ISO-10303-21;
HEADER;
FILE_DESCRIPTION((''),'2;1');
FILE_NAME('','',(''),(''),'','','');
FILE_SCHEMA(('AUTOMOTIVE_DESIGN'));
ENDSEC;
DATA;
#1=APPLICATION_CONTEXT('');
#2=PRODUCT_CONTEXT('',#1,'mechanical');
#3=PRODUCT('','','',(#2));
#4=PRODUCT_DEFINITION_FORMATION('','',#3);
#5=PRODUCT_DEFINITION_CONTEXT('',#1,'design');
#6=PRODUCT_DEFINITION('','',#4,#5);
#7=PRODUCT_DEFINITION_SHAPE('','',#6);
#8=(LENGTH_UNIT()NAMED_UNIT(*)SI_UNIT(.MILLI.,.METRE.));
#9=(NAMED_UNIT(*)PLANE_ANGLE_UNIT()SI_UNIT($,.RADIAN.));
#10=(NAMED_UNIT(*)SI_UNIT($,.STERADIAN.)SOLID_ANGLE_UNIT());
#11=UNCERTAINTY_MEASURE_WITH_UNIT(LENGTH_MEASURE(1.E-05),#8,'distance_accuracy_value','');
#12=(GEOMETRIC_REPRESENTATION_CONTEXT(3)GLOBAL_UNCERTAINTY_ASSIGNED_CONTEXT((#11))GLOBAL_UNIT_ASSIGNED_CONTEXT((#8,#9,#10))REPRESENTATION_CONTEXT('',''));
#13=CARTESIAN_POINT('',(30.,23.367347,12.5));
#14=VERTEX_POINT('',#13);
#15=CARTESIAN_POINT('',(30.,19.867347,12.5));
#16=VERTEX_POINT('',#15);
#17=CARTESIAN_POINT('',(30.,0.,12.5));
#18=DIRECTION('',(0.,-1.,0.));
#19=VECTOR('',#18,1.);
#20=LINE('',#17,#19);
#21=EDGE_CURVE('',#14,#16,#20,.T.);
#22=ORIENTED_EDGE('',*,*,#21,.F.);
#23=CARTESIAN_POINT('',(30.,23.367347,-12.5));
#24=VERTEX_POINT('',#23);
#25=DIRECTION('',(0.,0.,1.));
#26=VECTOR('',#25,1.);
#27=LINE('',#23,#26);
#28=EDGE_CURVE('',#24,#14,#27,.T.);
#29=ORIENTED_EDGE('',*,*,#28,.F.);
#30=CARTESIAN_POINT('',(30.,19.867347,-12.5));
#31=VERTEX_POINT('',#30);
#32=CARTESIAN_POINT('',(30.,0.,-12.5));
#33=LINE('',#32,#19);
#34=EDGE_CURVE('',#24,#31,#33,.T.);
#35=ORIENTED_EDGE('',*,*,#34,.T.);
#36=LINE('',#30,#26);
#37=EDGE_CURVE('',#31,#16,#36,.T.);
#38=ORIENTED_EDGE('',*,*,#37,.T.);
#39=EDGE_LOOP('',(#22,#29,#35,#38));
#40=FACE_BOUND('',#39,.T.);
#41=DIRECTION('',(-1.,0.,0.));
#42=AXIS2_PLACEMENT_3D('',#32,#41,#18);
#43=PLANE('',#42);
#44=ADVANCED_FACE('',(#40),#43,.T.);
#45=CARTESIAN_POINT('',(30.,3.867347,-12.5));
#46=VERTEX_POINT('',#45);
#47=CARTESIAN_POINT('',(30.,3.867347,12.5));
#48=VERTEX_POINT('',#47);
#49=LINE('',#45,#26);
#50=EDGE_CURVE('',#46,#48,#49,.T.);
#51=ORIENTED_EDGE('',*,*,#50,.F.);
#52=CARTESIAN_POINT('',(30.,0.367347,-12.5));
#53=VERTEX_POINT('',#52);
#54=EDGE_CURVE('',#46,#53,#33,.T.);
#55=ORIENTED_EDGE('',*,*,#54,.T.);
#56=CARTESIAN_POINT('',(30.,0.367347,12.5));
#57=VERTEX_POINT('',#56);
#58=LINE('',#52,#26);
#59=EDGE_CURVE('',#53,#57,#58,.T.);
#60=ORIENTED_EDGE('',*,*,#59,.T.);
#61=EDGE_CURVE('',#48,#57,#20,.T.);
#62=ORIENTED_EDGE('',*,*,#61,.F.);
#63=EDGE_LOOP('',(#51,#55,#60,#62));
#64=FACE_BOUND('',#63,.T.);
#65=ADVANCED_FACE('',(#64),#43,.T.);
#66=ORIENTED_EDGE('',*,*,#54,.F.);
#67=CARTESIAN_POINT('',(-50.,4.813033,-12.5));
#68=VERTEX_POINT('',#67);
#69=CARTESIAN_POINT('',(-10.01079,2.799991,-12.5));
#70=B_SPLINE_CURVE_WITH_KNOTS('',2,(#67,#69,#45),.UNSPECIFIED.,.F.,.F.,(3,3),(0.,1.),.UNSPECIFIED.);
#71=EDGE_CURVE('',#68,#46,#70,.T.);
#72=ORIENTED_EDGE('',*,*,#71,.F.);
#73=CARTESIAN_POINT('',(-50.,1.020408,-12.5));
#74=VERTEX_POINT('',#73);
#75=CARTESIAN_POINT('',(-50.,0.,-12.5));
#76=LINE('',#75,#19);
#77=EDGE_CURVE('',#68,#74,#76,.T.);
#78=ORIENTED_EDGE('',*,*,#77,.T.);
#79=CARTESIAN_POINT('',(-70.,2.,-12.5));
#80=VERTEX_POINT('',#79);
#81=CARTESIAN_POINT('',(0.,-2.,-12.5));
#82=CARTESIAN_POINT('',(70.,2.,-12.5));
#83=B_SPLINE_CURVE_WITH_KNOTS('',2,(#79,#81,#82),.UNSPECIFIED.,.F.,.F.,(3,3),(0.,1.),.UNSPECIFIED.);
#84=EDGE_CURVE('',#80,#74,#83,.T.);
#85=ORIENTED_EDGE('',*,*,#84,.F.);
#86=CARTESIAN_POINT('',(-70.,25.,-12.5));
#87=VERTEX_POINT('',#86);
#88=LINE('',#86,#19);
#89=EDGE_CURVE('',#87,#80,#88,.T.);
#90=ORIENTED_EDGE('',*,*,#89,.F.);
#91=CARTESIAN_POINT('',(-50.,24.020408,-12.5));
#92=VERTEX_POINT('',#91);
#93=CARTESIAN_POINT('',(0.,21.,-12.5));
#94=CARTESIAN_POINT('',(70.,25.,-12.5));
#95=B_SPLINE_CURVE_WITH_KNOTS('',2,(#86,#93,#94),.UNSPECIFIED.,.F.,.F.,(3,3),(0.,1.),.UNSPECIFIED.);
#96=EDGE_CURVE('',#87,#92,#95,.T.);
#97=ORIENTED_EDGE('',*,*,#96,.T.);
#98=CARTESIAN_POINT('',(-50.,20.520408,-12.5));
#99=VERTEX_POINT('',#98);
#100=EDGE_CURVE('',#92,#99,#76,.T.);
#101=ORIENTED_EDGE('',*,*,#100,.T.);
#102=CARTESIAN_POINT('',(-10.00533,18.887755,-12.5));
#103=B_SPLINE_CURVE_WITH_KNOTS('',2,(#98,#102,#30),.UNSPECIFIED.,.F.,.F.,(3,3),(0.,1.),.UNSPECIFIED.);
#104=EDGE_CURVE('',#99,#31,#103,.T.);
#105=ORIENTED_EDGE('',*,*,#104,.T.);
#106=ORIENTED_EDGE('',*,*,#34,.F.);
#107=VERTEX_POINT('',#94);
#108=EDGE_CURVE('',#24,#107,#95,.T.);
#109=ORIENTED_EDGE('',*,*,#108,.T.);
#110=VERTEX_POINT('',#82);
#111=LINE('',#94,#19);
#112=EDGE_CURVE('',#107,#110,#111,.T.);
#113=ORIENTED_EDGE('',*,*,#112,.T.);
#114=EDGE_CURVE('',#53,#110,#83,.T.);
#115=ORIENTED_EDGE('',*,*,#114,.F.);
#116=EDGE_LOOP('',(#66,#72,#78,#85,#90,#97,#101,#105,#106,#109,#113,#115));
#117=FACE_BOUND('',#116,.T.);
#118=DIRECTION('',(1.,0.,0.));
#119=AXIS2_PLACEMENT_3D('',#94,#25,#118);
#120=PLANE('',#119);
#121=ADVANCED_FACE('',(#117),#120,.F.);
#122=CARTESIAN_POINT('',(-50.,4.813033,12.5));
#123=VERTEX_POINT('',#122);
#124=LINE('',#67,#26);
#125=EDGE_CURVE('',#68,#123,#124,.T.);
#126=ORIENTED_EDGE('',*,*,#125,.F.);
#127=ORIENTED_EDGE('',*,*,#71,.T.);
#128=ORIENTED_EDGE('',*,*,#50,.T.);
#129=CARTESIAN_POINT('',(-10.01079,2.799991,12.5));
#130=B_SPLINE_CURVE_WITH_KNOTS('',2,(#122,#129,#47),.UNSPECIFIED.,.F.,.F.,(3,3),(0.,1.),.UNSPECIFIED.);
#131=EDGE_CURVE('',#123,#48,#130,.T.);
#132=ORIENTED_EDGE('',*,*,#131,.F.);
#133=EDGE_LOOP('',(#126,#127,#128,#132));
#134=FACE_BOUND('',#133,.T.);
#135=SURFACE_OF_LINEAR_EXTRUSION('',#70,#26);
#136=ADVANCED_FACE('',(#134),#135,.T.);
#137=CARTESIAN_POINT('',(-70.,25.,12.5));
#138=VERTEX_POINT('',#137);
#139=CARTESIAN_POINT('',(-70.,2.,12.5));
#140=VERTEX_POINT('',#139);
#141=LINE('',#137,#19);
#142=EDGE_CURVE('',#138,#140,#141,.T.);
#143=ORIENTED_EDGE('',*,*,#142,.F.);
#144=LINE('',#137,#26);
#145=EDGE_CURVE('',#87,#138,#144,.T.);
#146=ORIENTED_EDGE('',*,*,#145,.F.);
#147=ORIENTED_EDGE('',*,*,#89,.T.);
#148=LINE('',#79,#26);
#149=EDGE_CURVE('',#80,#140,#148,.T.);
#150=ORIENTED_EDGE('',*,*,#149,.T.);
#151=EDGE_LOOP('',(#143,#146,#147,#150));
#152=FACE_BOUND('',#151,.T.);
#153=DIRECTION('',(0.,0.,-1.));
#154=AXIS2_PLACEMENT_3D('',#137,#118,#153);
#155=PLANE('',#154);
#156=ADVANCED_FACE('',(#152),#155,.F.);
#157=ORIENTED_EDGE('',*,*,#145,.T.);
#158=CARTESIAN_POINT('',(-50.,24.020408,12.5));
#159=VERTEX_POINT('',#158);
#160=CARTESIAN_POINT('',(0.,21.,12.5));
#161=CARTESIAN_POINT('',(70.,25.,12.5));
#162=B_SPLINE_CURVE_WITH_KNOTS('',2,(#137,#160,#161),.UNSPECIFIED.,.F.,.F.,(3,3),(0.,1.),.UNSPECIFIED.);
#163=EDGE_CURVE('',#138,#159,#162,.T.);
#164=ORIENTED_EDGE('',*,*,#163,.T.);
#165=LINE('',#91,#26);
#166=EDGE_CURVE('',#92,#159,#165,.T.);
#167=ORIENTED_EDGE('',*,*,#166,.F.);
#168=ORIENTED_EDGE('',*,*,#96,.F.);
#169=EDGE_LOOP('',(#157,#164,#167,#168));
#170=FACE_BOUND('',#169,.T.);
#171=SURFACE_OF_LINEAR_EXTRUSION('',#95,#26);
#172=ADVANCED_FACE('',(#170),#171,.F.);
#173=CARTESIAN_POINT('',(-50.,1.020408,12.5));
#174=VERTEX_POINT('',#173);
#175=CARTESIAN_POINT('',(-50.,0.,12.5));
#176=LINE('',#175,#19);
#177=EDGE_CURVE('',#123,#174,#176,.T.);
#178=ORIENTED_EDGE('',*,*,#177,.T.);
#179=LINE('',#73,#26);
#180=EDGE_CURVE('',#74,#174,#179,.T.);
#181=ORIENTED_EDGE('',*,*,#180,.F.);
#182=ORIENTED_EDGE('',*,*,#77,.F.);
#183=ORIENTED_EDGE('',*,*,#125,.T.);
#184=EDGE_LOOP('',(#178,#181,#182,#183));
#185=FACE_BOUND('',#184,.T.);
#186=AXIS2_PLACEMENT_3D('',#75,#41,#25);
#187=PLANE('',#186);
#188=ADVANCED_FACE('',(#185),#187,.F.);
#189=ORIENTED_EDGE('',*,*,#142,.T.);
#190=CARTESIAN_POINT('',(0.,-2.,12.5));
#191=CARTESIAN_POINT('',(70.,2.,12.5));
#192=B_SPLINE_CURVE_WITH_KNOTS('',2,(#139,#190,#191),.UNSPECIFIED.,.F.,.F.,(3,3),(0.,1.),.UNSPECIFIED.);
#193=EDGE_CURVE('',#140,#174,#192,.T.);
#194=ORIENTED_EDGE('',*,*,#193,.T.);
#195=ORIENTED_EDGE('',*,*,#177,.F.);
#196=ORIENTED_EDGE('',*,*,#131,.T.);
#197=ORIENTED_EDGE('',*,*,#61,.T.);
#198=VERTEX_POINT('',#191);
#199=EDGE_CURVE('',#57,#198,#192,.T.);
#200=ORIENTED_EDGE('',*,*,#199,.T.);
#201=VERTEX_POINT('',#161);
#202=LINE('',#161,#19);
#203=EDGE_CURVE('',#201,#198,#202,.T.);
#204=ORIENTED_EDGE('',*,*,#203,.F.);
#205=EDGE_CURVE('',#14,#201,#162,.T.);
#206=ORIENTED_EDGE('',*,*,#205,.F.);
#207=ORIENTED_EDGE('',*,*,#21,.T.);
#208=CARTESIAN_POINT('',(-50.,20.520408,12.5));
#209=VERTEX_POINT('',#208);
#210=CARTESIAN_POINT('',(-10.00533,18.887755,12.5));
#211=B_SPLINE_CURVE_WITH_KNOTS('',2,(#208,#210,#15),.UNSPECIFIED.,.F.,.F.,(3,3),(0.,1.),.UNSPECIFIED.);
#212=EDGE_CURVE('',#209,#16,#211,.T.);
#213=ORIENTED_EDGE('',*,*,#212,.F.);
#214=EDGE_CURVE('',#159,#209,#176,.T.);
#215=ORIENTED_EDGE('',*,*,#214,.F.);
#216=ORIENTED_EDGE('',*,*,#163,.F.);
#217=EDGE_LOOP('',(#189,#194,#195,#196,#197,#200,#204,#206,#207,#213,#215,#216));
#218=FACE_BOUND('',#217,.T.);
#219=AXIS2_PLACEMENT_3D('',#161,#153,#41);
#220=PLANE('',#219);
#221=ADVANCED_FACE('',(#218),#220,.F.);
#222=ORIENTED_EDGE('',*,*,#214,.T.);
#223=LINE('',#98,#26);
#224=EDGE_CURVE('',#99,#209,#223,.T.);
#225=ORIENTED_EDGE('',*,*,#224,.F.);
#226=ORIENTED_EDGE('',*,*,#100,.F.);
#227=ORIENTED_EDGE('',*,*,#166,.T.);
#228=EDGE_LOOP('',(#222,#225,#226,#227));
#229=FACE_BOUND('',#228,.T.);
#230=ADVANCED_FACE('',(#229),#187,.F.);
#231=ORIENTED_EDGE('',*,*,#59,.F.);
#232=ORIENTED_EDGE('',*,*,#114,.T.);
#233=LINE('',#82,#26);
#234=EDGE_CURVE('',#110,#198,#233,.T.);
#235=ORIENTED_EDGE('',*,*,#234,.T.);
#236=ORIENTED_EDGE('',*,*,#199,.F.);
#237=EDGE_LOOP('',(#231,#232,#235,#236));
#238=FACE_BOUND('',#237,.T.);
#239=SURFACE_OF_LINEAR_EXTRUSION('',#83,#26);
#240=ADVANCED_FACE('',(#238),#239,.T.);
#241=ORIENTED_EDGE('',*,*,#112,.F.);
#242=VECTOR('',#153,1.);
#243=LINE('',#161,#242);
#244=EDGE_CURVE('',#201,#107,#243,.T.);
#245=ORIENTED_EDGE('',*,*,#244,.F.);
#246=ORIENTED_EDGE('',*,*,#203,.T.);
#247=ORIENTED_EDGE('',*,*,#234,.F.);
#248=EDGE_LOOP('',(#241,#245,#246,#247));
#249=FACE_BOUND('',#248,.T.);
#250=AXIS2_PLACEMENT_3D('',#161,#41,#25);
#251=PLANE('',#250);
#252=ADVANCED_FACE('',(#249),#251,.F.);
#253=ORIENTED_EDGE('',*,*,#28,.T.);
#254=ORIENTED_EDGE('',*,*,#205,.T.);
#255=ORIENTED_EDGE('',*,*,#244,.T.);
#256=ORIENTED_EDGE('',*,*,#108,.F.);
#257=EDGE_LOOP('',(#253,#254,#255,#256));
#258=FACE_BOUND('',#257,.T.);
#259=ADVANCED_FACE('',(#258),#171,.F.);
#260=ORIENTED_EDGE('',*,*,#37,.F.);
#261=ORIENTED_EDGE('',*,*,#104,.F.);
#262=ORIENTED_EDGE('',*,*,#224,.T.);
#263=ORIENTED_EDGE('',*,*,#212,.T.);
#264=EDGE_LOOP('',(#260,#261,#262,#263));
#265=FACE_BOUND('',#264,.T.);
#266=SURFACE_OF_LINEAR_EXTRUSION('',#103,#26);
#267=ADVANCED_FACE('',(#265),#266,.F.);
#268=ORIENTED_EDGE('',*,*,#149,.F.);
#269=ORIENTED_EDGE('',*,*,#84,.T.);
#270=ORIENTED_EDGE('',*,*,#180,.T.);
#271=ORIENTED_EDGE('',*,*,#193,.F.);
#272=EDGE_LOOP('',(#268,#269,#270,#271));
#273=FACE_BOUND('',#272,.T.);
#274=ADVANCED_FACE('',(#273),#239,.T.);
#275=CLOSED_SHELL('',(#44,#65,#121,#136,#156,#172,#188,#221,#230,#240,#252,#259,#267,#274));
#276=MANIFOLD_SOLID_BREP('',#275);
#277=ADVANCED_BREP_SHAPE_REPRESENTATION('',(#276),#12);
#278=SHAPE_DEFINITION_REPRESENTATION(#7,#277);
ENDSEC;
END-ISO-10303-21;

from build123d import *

# Parameters (mm, degrees)
SKETCH1_W           = 140
SKETCH1_H           = 25
BOSS_EXTRUDE1_DEPTH = 25
CUT_EXTRUDE1_DEPTH  = 25


with BuildPart() as part:
    # Sketch1 → Boss-Extrude1 (new body)
    with BuildSketch(Plane(origin=(0, 0, 0), x_dir=(1, 0, 0), z_dir=(0, 1, 0))):
        Rectangle(SKETCH1_W, SKETCH1_H)
    extrude(amount=BOSS_EXTRUDE1_DEPTH)

    # Sketch5 → Cut-Extrude1 (cut)
    with BuildSketch(Plane.XY.offset(12.5)):
        with BuildLine():
            add(Edge.make_bspline(
                [(0, 23), (15, 23), (30, 23.367346939)],
                knots=[0.5, 0.5, 0.5, 0.714285714, 0.714285714, 0.714285714], degree=2))
            add(Edge.make_bspline(
                [(30, 23.367346939), (50, 23.857142857), (70, 25)],
                knots=[0.714285714, 0.714285714, 0.714285714, 1, 1, 1], degree=2))
            Line((70, 25), (30, 25))
            Line((30, 25), (0, 25))
            Line((0, 25), (0, 23))
        make_face()
        with BuildLine():
            add(Edge.make_bspline(
                [(-50, 24.020408163), (-25, 23), (0, 23)],
                knots=[0.142857143, 0.142857143, 0.142857143, 0.5, 0.5, 0.5], degree=2))
            Line((0, 23), (0, 25))
            Line((0, 25), (-50, 25))
            Line((-50, 25), (-70, 25))
            add(Edge.make_bspline(
                [(-70, 25), (-60, 24.428571429), (-50, 24.020408163)],
                knots=[0, 0, 0, 0.142857143, 0.142857143, 0.142857143], degree=2))
        make_face()
        with BuildLine():
            Line((30, 19.867346939), (30, 23.367346939))
            add(Edge.make_bspline(
                [(0, 23), (15, 23), (30, 23.367346939)],
                knots=[0.5, 0.5, 0.5, 0.714285714, 0.714285714, 0.714285714], degree=2))
            Line((0, 23), (0, 19.5))
            add(Edge.make_bspline(
                [(0, 19.5), (14.999250637, 19.500030588), (30, 19.867346939)],
                knots=[0.625031228, 0.625031228, 0.625031228, 1, 1, 1], degree=2))
        make_face()
        with BuildLine():
            Line((0, 19.5), (0, 23))
            add(Edge.make_bspline(
                [(-50, 24.020408163), (-25, 23), (0, 23)],
                knots=[0.142857143, 0.142857143, 0.142857143, 0.5, 0.5, 0.5], degree=2))
            Line((-50, 24.020408163), (-50, 21.5))
            Line((-50, 21.5), (-50, 20.520408163))
            add(Edge.make_bspline(
                [(-50, 20.520408163), (-25.002082119, 19.499949013), (0, 19.5)],
                knots=[0, 0, 0, 0.625031228, 0.625031228, 0.625031228], degree=2))
        make_face()
        with BuildLine():
            Line((0, 0), (0, 3.5))
            add(Edge.make_bspline(
                [(-50, 4.813033374), (-25.004215516, 3.554754755), (0, 3.5)],
                knots=[0, 0, 0, 0.625063216, 0.625063216, 0.625063216], degree=2))
            Line((-50, 4.813033374), (-50, 1.020408163))
            add(Edge.make_bspline(
                [(-50, 1.020408163), (-25, 0), (0, 0)],
                knots=[0.142857143, 0.142857143, 0.142857143, 0.5, 0.5, 0.5], degree=2))
        make_face()
        with BuildLine():
            Line((30, 0.367346939), (30, 3.867346939))
            add(Edge.make_bspline(
                [(0, 3.5), (14.998483233, 3.467156007), (30, 3.867346939)],
                knots=[0.625063216, 0.625063216, 0.625063216, 1, 1, 1], degree=2))
            Line((0, 3.5), (0, 0))
            add(Edge.make_bspline(
                [(0, 0), (15, 0), (30, 0.367346939)],
                knots=[0.5, 0.5, 0.5, 0.714285714, 0.714285714, 0.714285714], degree=2))
        make_face()
        with BuildLine():
            Line((70, 0), (70, 2))
            add(Edge.make_bspline(
                [(30, 0.367346939), (50, 0.857142857), (70, 2)],
                knots=[0.714285714, 0.714285714, 0.714285714, 1, 1, 1], degree=2))
            add(Edge.make_bspline(
                [(0, 0), (15, 0), (30, 0.367346939)],
                knots=[0.5, 0.5, 0.5, 0.714285714, 0.714285714, 0.714285714], degree=2))
            Line((0, 0), (70, 0))
        make_face()
        with BuildLine():
            Line((-70, 0), (0, 0))
            add(Edge.make_bspline(
                [(-50, 1.020408163), (-25, 0), (0, 0)],
                knots=[0.142857143, 0.142857143, 0.142857143, 0.5, 0.5, 0.5], degree=2))
            add(Edge.make_bspline(
                [(-70, 2), (-60, 1.428571429), (-50, 1.020408163)],
                knots=[0, 0, 0, 0.142857143, 0.142857143, 0.142857143], degree=2))
            Line((-70, 2), (-70, 0))
        make_face()
    extrude(amount=-CUT_EXTRUDE1_DEPTH, mode=Mode.SUBTRACT)


solid = part.part
